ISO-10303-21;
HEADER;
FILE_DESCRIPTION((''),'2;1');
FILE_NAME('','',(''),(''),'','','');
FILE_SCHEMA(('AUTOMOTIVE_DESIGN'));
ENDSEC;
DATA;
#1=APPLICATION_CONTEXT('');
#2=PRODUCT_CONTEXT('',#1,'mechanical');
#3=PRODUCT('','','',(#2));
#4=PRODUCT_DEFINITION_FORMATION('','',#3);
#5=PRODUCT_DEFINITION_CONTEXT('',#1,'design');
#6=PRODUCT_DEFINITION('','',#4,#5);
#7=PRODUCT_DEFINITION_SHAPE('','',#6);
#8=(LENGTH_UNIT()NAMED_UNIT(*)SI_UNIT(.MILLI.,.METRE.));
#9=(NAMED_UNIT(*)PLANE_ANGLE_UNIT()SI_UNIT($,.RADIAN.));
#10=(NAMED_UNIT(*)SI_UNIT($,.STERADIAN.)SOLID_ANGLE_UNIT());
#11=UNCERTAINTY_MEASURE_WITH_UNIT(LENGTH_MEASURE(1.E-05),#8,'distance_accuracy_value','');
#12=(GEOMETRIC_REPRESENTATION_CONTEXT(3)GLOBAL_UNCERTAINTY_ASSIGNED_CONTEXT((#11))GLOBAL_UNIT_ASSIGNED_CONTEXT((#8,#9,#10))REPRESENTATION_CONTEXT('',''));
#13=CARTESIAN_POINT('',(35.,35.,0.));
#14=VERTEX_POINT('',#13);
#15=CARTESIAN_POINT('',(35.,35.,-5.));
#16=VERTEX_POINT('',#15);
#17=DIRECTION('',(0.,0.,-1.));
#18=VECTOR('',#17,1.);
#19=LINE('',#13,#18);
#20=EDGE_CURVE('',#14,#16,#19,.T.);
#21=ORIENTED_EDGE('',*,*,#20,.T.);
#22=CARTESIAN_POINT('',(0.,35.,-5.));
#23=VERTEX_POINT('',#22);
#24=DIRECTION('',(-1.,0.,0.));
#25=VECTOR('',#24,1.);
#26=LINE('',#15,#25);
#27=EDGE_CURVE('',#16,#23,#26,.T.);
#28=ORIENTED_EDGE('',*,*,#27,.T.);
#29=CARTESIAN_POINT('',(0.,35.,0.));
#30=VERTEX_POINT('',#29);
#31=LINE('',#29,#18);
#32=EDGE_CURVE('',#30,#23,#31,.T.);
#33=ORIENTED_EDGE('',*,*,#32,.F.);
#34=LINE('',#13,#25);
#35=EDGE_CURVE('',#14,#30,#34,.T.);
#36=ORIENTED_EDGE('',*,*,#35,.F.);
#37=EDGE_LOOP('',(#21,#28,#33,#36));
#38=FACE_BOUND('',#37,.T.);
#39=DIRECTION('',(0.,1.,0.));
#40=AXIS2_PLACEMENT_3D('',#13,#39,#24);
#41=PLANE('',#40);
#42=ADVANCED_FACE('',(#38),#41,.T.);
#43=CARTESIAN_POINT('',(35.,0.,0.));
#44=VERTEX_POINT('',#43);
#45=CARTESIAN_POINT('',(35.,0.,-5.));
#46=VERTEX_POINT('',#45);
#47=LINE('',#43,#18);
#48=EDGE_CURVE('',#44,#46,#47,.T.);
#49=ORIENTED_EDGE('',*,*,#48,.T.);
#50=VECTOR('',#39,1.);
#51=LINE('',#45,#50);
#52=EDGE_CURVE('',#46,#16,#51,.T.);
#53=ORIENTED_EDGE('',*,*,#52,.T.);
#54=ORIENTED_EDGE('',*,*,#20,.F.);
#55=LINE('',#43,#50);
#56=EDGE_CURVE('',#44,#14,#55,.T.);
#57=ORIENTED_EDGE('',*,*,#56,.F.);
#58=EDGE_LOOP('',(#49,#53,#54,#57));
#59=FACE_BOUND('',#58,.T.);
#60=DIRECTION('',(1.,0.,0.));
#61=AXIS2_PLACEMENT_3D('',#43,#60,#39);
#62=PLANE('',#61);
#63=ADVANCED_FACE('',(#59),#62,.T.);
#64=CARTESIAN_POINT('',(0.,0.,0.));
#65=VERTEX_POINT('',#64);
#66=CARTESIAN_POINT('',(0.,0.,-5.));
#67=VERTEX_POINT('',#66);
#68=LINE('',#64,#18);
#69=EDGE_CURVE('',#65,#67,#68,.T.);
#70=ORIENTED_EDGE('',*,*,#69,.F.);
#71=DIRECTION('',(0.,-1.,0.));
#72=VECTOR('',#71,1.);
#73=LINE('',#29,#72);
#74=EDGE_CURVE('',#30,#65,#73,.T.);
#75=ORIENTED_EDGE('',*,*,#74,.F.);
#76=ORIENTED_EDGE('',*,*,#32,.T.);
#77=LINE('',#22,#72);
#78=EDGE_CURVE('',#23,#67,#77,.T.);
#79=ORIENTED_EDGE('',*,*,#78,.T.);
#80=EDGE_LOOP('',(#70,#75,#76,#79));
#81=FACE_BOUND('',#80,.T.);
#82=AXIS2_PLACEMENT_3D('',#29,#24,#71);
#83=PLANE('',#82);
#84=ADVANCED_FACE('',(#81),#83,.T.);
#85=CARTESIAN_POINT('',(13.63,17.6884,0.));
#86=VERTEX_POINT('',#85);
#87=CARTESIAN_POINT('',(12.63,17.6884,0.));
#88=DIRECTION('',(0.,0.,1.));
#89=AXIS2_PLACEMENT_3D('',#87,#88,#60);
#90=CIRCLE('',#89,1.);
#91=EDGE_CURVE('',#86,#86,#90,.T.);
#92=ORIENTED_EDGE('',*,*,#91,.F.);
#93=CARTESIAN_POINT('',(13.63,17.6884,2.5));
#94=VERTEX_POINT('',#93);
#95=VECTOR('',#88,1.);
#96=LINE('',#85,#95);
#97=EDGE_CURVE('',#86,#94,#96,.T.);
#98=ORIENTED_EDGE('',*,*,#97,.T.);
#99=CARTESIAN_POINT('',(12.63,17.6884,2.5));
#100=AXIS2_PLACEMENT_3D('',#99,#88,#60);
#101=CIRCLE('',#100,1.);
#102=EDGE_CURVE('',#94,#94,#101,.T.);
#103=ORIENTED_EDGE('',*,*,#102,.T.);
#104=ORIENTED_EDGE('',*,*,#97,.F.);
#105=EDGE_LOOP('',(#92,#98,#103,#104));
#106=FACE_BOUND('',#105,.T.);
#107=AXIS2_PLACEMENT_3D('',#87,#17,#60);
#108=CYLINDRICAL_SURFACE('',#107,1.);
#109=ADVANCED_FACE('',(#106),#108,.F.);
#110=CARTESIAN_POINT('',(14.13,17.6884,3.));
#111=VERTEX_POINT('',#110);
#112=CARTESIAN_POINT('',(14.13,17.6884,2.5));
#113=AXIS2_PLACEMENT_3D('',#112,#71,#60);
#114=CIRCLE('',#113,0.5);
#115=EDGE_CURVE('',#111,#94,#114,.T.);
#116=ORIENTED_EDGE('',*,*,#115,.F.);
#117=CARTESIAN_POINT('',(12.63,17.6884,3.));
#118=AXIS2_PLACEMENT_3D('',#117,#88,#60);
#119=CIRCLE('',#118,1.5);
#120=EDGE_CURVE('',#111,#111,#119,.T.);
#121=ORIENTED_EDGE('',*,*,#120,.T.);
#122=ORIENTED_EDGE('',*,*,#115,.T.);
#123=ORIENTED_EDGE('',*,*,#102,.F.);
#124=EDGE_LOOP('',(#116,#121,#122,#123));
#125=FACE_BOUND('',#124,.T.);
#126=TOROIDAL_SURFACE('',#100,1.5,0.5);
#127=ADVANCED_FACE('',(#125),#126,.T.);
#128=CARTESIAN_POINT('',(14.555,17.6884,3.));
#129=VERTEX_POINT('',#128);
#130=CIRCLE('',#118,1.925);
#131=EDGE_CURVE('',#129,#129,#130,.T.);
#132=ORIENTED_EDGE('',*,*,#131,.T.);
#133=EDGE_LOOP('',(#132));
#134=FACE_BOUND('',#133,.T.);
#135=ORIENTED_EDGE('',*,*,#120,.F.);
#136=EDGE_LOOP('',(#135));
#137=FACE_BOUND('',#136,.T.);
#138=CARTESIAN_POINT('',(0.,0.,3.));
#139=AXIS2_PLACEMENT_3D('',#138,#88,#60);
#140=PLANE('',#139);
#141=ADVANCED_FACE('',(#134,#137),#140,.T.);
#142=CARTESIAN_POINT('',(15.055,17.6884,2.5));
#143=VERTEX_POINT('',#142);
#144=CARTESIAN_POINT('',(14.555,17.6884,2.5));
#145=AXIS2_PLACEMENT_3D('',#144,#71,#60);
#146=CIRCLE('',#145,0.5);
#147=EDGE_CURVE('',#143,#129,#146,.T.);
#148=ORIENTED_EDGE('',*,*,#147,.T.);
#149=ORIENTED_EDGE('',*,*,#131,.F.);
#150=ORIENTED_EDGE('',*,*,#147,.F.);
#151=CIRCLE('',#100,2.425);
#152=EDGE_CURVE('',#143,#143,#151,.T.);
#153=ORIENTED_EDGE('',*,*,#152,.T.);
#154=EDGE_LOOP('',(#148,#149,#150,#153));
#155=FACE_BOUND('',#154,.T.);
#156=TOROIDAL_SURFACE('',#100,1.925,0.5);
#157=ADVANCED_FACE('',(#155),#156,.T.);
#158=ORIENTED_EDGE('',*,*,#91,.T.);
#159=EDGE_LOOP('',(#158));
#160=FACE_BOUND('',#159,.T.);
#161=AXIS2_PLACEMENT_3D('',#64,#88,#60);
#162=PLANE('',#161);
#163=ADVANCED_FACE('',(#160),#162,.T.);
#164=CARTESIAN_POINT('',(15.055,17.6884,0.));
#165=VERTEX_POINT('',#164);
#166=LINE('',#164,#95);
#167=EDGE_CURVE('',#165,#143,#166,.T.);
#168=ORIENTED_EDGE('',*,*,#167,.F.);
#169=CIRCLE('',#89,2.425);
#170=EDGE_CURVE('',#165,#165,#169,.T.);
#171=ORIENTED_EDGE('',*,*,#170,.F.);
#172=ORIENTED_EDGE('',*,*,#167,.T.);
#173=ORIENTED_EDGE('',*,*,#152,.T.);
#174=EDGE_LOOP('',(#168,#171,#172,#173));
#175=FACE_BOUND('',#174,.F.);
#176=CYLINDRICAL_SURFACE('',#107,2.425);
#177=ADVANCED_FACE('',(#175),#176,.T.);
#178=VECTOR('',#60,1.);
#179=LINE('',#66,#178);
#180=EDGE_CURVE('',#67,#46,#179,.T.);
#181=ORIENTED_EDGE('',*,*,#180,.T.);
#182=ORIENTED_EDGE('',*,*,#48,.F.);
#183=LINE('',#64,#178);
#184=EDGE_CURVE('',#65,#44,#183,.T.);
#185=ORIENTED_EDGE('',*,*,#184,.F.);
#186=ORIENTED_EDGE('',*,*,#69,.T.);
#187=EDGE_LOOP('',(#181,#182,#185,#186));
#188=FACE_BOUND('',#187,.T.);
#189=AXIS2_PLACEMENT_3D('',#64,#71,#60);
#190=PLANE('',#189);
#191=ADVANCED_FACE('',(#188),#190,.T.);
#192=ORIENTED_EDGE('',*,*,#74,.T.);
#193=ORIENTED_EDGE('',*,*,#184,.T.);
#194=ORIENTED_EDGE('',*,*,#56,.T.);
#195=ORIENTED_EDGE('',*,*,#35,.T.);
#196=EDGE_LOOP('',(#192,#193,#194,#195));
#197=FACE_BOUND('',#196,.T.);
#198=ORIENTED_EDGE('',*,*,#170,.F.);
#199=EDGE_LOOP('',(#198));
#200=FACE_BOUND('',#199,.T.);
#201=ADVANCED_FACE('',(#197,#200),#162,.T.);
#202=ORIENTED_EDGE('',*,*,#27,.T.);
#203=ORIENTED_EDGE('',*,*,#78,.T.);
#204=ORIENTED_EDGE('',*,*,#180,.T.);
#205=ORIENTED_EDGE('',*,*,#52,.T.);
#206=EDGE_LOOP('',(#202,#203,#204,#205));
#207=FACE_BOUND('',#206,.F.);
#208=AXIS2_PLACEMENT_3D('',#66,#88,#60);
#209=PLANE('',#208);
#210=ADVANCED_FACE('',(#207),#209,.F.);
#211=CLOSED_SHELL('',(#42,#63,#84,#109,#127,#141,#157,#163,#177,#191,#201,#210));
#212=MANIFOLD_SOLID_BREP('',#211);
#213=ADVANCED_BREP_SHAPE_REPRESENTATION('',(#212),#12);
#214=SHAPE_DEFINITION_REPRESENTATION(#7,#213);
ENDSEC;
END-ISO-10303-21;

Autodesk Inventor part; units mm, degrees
ref_plane "YZ Plane" through (0, 0, 0) normal (1, 0, 0) x (0, 1, 0)
ref_plane "XZ Plane" through (0, 0, 0) normal (0, 1, 0) x (-1, 0, 0)
ref_plane "XY Plane" through (0, 0, 0) normal (0, 0, 1) x (1, 0, 0)
sketch "Sketch1" plane through (0, 0, 0) normal (0, 0, 1) x (1, 0, 0)
  line L0 (0, 0) -> (35, 0)
  line L1 (35, 0) -> (35, 35)
  line L2 (35, 35) -> (0, 35)
  line L3 (0, 35) -> (0, 0)
  dimension "d0" = 35
  dimension "d1" = 35
extrude "Extrusion1" add sketch "Sketch1" against normal blind 5
sketch "Sketch2" plane through (0, 0, 0) normal (0, 0, 1) x (1, 0, 0)
  circle A0 centre (12.63, 17.6884) radius 2.425 projected
  circle A1 centre (12.63, 17.6884) radius 1 projected
  point P0 (0, 0)
extrude "Extrusion2" add sketch "Sketch2" along normal blind 3
fillet "Fillet1" radius 0.5 2 edges at (10.205, 17.6884, 3) (11.63, 17.6884, 3)
properties part number "ServoHolderBase"
